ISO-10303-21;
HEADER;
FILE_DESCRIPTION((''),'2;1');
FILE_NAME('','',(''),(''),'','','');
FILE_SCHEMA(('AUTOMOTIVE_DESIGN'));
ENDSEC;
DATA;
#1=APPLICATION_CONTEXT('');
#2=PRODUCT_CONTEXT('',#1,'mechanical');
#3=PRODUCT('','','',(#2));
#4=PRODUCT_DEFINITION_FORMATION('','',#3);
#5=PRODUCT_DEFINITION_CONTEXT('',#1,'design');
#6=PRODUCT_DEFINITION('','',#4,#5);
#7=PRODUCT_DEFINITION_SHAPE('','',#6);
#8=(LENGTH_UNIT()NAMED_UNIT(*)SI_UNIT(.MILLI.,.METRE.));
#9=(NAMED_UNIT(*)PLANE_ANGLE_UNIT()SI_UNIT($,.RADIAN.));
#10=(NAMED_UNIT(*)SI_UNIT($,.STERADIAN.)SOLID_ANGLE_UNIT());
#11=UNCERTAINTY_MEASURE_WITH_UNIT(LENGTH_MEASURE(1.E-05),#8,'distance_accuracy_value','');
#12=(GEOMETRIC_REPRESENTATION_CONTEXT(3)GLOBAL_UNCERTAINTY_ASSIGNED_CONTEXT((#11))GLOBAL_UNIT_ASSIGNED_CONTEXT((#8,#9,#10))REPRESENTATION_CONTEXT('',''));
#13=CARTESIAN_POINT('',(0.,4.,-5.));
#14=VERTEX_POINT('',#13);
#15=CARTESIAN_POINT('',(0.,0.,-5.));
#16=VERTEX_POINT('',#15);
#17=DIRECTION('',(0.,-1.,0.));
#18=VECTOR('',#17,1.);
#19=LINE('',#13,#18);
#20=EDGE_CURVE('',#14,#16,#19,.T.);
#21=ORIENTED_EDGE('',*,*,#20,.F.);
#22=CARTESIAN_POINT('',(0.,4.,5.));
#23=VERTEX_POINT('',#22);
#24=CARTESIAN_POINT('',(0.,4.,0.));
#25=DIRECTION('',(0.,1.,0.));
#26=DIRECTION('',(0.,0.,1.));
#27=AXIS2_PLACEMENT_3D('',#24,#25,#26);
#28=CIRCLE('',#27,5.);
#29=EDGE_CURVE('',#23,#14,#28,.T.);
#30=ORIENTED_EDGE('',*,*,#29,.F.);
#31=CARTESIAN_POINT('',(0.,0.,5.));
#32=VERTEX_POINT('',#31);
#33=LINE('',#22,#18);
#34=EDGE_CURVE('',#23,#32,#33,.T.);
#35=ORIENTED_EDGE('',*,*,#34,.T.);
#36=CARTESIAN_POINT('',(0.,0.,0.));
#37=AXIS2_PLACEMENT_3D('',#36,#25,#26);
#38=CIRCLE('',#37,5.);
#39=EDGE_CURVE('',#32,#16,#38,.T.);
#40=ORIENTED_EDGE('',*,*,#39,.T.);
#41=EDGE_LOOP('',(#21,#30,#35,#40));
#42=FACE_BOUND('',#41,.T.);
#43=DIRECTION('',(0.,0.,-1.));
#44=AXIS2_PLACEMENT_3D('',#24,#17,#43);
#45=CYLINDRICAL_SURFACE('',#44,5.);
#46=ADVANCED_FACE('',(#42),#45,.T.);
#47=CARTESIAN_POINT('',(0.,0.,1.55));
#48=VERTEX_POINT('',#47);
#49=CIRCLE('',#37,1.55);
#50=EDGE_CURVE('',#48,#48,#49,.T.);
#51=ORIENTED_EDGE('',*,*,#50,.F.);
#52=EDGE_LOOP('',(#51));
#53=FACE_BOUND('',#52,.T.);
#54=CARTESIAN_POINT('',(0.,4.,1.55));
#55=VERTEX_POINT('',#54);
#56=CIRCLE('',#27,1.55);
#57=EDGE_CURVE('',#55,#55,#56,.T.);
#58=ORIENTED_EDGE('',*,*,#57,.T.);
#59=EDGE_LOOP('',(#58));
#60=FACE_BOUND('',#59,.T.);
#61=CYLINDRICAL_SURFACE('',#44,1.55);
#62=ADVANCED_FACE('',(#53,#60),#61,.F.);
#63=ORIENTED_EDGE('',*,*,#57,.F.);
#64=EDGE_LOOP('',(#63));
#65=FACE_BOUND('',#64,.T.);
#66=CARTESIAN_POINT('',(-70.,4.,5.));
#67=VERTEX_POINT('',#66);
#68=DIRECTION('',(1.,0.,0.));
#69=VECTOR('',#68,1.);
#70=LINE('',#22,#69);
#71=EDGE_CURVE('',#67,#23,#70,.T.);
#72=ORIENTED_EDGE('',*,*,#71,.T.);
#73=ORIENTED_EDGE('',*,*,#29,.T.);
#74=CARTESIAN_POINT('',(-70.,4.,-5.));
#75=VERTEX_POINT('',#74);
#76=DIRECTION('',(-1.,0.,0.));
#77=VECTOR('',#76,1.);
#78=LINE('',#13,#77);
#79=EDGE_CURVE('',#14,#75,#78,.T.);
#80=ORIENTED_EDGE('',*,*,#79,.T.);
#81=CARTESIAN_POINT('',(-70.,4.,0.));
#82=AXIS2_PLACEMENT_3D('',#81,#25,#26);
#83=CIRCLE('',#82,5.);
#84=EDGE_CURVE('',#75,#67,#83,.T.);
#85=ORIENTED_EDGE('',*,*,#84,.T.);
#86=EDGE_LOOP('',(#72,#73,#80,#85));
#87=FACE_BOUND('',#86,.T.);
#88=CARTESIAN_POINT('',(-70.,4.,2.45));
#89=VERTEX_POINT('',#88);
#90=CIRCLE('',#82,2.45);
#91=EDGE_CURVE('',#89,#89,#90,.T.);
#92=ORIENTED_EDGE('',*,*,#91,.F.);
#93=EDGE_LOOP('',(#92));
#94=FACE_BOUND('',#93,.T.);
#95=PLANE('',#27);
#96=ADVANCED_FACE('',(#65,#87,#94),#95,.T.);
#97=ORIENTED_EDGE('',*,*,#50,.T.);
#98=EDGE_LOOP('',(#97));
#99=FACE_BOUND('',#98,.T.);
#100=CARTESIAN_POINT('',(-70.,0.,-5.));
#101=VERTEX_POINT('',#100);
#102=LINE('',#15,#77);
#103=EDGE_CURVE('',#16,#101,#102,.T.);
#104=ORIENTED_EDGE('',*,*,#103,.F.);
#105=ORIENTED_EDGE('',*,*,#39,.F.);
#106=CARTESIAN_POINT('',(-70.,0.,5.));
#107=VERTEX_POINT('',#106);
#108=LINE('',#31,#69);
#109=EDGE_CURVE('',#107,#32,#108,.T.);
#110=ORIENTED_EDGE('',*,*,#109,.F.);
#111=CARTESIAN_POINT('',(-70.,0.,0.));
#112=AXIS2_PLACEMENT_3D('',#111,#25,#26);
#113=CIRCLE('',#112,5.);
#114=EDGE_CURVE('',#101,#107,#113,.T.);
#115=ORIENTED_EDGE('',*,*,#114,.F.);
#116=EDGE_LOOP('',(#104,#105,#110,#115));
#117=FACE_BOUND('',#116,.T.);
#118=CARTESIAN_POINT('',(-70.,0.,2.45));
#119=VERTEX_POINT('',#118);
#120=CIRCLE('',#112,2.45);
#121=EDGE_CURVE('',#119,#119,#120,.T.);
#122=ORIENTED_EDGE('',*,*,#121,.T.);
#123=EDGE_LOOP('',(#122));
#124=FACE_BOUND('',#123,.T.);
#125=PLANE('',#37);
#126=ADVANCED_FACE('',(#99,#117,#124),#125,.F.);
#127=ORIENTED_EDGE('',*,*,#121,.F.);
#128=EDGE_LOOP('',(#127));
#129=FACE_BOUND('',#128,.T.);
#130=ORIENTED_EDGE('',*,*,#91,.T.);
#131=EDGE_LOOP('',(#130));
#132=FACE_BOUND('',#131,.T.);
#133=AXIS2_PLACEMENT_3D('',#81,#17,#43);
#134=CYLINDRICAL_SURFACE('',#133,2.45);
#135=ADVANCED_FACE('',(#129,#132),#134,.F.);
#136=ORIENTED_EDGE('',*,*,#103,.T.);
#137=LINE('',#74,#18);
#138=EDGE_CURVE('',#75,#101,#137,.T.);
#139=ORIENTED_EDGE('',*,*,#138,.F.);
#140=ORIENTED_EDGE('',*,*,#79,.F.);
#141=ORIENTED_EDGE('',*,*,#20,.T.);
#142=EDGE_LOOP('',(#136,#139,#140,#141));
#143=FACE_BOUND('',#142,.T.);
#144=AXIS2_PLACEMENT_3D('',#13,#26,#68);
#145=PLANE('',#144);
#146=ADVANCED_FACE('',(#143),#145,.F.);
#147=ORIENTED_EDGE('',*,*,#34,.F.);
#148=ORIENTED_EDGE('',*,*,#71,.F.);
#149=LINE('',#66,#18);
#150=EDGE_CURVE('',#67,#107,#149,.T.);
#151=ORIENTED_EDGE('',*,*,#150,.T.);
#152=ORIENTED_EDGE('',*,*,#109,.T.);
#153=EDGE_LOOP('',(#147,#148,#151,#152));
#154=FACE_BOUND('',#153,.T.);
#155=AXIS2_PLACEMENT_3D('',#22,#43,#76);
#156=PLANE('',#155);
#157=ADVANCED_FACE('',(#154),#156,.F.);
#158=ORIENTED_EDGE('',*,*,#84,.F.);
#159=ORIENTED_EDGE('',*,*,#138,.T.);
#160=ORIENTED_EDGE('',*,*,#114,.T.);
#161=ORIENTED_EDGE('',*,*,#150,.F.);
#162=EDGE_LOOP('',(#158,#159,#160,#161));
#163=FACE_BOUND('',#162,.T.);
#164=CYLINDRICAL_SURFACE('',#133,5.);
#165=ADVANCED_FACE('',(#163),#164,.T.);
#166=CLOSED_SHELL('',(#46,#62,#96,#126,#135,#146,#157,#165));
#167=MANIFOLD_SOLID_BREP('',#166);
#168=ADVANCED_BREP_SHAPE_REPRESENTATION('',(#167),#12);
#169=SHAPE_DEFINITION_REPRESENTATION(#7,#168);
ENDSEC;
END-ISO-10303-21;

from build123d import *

# Parameters (mm, degrees)
SKETCH1_R           = 2.45
SKETCH1_R_2         = 1.55
BOSS_EXTRUDE1_DEPTH = 4


with BuildPart() as part:
    # Sketch1 → Boss-Extrude1 (new body)
    with BuildSketch(Plane(origin=(0, 0, 0), x_dir=(1, 0, 0), z_dir=(0, 1, 0))):
        with BuildLine():
            Line((0, -5), (-70, -5))
            ThreePointArc((-70, -5), (-75, 0), (-70, 5))
            Line((-70, 5), (0, 5))
            ThreePointArc((0, 5), (5, 0), (0, -5))
        make_face()
        with Locations((-70, 0)):
            Circle(SKETCH1_R, mode=Mode.SUBTRACT)
        Circle(SKETCH1_R_2, mode=Mode.SUBTRACT)
    extrude(amount=BOSS_EXTRUDE1_DEPTH)


solid = part.part
